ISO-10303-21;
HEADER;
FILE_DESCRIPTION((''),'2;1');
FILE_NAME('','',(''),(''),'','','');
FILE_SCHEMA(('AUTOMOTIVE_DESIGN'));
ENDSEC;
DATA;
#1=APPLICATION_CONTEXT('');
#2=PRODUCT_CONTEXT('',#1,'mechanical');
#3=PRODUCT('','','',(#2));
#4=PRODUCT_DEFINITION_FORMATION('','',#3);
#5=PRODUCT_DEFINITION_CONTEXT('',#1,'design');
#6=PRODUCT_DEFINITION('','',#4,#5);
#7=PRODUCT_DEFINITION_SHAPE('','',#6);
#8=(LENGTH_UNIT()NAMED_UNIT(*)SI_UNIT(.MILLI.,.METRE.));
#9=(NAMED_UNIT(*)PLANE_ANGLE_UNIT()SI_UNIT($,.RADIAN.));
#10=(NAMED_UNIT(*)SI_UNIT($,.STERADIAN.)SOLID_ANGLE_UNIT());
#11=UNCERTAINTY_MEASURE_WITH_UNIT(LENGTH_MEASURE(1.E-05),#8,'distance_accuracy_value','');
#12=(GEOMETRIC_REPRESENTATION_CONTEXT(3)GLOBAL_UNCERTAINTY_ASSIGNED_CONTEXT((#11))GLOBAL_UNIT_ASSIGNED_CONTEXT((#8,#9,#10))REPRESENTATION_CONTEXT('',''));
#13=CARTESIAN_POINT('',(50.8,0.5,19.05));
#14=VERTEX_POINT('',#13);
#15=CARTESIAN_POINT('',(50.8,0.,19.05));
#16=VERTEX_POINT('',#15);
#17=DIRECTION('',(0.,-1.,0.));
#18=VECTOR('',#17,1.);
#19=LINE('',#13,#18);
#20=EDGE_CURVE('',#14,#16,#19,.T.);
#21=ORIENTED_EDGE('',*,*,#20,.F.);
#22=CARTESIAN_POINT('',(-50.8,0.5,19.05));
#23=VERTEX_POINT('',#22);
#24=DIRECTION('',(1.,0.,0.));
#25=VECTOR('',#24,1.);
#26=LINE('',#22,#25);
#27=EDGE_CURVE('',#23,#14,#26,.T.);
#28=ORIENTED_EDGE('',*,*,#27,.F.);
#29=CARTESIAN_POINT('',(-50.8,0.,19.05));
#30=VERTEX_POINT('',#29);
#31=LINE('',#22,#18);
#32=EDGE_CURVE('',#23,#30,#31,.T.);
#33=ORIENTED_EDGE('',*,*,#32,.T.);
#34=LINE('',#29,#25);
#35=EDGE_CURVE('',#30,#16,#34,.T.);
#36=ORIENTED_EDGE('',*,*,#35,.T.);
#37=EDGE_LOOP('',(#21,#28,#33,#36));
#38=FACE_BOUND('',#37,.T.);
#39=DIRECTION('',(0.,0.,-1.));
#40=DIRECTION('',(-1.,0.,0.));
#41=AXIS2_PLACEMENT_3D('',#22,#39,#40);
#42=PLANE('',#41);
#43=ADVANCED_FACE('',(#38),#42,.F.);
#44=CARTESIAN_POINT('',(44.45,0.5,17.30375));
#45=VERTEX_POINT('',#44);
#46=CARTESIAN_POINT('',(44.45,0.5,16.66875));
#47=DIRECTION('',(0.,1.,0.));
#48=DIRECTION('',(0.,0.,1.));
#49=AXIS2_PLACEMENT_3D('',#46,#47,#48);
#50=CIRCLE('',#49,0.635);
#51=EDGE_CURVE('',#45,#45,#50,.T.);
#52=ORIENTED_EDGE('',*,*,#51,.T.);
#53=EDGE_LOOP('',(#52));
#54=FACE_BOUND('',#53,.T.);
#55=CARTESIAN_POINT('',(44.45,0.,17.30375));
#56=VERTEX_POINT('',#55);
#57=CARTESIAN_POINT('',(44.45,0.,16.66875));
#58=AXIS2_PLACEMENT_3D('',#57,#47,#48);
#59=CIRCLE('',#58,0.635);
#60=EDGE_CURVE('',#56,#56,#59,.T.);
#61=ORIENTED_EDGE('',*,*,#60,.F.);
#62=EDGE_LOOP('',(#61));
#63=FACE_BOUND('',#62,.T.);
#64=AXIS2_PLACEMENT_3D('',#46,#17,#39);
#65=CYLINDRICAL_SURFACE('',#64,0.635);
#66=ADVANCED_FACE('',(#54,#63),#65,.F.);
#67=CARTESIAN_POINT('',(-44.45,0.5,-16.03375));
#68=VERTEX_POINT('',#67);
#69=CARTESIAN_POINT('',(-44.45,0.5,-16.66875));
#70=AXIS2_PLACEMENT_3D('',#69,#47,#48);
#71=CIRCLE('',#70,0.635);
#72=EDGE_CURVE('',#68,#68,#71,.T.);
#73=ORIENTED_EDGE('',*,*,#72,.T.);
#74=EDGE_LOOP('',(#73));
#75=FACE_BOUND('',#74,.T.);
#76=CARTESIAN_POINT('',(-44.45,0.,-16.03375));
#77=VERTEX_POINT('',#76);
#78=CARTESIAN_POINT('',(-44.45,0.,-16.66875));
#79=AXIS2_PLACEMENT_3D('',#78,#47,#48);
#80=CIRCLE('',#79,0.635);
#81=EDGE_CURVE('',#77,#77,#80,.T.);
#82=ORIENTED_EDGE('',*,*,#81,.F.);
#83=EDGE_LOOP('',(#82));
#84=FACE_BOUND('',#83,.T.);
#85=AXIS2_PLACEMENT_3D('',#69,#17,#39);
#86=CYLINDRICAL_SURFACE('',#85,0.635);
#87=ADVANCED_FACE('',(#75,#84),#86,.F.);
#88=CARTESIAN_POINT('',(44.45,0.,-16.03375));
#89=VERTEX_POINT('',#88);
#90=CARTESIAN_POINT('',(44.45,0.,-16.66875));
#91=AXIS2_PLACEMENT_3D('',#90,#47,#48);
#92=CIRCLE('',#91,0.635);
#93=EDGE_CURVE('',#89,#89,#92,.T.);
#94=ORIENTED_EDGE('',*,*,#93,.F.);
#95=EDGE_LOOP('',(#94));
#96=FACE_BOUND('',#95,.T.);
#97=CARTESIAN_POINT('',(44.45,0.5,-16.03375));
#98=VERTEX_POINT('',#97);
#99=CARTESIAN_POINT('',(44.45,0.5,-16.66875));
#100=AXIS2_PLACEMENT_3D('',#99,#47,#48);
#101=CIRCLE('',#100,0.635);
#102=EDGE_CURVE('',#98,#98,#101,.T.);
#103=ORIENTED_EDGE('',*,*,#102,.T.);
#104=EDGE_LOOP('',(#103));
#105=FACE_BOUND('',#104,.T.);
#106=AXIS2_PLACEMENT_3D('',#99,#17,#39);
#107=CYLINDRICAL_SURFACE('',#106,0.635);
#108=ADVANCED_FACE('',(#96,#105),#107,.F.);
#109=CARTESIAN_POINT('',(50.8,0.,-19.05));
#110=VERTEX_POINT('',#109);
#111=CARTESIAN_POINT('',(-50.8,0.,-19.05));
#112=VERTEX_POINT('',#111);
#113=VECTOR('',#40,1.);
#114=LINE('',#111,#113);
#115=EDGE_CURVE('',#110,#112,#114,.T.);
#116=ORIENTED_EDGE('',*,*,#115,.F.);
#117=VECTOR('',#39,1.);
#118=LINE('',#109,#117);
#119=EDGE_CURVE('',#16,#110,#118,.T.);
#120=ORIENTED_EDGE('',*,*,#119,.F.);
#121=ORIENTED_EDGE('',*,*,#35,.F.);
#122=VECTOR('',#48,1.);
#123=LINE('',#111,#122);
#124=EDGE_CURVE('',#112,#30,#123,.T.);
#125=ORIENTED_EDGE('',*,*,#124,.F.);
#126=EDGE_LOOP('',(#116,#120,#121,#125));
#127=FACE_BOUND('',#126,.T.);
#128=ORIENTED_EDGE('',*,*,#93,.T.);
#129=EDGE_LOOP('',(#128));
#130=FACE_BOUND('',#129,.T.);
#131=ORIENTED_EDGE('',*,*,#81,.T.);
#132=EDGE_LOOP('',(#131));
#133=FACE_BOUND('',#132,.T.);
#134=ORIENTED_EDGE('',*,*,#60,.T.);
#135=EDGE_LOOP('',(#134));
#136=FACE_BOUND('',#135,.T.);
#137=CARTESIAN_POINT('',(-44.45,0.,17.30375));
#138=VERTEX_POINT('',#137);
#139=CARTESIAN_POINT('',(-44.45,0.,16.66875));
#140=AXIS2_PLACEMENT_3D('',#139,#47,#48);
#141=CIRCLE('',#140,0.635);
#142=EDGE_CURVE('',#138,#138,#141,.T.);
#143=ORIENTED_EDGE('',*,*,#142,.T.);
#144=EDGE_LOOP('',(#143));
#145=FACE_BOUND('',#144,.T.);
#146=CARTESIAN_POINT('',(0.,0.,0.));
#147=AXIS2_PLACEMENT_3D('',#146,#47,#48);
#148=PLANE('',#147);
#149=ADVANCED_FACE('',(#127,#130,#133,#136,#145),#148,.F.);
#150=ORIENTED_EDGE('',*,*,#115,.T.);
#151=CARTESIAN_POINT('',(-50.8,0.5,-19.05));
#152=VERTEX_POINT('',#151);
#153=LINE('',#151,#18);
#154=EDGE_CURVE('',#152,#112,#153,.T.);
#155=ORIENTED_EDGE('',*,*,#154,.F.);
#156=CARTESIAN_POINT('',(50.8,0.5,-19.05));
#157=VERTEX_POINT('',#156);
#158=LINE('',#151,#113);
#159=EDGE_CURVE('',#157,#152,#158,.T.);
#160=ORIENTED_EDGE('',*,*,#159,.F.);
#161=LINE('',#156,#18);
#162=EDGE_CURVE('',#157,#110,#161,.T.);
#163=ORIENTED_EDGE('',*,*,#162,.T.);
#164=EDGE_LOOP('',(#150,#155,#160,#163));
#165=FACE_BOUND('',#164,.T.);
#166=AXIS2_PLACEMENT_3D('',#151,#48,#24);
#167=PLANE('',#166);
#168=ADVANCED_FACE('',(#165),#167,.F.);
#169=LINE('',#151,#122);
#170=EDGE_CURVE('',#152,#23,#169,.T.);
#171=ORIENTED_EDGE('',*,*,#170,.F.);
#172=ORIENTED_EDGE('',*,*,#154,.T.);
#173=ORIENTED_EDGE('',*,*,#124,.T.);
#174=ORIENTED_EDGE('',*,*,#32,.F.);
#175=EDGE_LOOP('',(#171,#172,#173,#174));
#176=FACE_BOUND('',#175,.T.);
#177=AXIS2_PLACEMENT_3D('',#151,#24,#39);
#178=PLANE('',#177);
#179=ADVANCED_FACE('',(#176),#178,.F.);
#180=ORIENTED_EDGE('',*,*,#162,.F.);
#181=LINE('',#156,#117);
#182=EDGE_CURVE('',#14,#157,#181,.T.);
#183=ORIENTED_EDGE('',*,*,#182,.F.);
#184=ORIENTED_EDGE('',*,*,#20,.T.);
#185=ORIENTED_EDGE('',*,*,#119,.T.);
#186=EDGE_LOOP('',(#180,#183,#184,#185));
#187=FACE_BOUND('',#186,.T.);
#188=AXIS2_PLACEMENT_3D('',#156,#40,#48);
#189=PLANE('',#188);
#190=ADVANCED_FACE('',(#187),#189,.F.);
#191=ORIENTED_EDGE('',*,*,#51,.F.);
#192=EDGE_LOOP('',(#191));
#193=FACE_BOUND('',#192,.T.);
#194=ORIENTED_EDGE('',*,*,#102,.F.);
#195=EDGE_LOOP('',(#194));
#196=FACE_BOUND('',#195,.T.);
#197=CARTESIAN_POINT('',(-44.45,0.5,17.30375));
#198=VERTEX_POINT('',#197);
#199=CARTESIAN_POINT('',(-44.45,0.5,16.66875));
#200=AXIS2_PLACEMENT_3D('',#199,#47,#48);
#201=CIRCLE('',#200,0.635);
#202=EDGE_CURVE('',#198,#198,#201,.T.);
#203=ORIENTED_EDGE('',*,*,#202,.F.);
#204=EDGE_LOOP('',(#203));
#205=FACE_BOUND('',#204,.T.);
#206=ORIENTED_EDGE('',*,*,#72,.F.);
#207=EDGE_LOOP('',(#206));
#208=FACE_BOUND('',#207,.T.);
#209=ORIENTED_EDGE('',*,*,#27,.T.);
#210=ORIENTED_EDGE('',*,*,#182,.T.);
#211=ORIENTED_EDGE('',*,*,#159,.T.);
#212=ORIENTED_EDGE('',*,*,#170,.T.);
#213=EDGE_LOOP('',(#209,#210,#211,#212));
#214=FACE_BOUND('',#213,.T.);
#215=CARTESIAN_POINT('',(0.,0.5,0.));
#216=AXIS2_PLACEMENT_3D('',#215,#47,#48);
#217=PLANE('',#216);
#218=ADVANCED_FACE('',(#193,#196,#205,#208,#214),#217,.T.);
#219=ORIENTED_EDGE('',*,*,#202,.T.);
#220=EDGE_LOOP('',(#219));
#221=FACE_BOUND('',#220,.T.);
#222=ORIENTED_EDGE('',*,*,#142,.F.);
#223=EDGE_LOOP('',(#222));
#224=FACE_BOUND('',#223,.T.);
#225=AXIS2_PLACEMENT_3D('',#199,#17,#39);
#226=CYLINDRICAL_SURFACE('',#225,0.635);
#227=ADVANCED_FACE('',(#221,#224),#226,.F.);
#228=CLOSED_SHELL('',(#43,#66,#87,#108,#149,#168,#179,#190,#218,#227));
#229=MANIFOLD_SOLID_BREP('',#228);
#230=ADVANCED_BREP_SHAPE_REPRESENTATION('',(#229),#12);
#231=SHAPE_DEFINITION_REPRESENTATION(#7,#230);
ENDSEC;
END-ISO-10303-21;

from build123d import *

# Parameters (mm, degrees)
SKETCH1_W           = 101.6
SKETCH1_H           = 38.1
SKETCH1_R           = 0.635
BOSS_EXTRUDE1_DEPTH = 0.5


with BuildPart() as part:
    # Sketch1 → Boss-Extrude1 (new body)
    with BuildSketch(Plane(origin=(0, 0, 0), x_dir=(1, 0, 0), z_dir=(0, 1, 0))):
        Rectangle(SKETCH1_W, SKETCH1_H)
        with Locations((44.45, 16.66875)):
            Circle(SKETCH1_R, mode=Mode.SUBTRACT)
        with Locations((44.45, -16.66875)):
            Circle(SKETCH1_R, mode=Mode.SUBTRACT)
        with Locations((-44.45, 16.66875)):
            Circle(SKETCH1_R, mode=Mode.SUBTRACT)
        with Locations((-44.45, -16.66875)):
            Circle(SKETCH1_R, mode=Mode.SUBTRACT)
    extrude(amount=BOSS_EXTRUDE1_DEPTH)


solid = part.part
